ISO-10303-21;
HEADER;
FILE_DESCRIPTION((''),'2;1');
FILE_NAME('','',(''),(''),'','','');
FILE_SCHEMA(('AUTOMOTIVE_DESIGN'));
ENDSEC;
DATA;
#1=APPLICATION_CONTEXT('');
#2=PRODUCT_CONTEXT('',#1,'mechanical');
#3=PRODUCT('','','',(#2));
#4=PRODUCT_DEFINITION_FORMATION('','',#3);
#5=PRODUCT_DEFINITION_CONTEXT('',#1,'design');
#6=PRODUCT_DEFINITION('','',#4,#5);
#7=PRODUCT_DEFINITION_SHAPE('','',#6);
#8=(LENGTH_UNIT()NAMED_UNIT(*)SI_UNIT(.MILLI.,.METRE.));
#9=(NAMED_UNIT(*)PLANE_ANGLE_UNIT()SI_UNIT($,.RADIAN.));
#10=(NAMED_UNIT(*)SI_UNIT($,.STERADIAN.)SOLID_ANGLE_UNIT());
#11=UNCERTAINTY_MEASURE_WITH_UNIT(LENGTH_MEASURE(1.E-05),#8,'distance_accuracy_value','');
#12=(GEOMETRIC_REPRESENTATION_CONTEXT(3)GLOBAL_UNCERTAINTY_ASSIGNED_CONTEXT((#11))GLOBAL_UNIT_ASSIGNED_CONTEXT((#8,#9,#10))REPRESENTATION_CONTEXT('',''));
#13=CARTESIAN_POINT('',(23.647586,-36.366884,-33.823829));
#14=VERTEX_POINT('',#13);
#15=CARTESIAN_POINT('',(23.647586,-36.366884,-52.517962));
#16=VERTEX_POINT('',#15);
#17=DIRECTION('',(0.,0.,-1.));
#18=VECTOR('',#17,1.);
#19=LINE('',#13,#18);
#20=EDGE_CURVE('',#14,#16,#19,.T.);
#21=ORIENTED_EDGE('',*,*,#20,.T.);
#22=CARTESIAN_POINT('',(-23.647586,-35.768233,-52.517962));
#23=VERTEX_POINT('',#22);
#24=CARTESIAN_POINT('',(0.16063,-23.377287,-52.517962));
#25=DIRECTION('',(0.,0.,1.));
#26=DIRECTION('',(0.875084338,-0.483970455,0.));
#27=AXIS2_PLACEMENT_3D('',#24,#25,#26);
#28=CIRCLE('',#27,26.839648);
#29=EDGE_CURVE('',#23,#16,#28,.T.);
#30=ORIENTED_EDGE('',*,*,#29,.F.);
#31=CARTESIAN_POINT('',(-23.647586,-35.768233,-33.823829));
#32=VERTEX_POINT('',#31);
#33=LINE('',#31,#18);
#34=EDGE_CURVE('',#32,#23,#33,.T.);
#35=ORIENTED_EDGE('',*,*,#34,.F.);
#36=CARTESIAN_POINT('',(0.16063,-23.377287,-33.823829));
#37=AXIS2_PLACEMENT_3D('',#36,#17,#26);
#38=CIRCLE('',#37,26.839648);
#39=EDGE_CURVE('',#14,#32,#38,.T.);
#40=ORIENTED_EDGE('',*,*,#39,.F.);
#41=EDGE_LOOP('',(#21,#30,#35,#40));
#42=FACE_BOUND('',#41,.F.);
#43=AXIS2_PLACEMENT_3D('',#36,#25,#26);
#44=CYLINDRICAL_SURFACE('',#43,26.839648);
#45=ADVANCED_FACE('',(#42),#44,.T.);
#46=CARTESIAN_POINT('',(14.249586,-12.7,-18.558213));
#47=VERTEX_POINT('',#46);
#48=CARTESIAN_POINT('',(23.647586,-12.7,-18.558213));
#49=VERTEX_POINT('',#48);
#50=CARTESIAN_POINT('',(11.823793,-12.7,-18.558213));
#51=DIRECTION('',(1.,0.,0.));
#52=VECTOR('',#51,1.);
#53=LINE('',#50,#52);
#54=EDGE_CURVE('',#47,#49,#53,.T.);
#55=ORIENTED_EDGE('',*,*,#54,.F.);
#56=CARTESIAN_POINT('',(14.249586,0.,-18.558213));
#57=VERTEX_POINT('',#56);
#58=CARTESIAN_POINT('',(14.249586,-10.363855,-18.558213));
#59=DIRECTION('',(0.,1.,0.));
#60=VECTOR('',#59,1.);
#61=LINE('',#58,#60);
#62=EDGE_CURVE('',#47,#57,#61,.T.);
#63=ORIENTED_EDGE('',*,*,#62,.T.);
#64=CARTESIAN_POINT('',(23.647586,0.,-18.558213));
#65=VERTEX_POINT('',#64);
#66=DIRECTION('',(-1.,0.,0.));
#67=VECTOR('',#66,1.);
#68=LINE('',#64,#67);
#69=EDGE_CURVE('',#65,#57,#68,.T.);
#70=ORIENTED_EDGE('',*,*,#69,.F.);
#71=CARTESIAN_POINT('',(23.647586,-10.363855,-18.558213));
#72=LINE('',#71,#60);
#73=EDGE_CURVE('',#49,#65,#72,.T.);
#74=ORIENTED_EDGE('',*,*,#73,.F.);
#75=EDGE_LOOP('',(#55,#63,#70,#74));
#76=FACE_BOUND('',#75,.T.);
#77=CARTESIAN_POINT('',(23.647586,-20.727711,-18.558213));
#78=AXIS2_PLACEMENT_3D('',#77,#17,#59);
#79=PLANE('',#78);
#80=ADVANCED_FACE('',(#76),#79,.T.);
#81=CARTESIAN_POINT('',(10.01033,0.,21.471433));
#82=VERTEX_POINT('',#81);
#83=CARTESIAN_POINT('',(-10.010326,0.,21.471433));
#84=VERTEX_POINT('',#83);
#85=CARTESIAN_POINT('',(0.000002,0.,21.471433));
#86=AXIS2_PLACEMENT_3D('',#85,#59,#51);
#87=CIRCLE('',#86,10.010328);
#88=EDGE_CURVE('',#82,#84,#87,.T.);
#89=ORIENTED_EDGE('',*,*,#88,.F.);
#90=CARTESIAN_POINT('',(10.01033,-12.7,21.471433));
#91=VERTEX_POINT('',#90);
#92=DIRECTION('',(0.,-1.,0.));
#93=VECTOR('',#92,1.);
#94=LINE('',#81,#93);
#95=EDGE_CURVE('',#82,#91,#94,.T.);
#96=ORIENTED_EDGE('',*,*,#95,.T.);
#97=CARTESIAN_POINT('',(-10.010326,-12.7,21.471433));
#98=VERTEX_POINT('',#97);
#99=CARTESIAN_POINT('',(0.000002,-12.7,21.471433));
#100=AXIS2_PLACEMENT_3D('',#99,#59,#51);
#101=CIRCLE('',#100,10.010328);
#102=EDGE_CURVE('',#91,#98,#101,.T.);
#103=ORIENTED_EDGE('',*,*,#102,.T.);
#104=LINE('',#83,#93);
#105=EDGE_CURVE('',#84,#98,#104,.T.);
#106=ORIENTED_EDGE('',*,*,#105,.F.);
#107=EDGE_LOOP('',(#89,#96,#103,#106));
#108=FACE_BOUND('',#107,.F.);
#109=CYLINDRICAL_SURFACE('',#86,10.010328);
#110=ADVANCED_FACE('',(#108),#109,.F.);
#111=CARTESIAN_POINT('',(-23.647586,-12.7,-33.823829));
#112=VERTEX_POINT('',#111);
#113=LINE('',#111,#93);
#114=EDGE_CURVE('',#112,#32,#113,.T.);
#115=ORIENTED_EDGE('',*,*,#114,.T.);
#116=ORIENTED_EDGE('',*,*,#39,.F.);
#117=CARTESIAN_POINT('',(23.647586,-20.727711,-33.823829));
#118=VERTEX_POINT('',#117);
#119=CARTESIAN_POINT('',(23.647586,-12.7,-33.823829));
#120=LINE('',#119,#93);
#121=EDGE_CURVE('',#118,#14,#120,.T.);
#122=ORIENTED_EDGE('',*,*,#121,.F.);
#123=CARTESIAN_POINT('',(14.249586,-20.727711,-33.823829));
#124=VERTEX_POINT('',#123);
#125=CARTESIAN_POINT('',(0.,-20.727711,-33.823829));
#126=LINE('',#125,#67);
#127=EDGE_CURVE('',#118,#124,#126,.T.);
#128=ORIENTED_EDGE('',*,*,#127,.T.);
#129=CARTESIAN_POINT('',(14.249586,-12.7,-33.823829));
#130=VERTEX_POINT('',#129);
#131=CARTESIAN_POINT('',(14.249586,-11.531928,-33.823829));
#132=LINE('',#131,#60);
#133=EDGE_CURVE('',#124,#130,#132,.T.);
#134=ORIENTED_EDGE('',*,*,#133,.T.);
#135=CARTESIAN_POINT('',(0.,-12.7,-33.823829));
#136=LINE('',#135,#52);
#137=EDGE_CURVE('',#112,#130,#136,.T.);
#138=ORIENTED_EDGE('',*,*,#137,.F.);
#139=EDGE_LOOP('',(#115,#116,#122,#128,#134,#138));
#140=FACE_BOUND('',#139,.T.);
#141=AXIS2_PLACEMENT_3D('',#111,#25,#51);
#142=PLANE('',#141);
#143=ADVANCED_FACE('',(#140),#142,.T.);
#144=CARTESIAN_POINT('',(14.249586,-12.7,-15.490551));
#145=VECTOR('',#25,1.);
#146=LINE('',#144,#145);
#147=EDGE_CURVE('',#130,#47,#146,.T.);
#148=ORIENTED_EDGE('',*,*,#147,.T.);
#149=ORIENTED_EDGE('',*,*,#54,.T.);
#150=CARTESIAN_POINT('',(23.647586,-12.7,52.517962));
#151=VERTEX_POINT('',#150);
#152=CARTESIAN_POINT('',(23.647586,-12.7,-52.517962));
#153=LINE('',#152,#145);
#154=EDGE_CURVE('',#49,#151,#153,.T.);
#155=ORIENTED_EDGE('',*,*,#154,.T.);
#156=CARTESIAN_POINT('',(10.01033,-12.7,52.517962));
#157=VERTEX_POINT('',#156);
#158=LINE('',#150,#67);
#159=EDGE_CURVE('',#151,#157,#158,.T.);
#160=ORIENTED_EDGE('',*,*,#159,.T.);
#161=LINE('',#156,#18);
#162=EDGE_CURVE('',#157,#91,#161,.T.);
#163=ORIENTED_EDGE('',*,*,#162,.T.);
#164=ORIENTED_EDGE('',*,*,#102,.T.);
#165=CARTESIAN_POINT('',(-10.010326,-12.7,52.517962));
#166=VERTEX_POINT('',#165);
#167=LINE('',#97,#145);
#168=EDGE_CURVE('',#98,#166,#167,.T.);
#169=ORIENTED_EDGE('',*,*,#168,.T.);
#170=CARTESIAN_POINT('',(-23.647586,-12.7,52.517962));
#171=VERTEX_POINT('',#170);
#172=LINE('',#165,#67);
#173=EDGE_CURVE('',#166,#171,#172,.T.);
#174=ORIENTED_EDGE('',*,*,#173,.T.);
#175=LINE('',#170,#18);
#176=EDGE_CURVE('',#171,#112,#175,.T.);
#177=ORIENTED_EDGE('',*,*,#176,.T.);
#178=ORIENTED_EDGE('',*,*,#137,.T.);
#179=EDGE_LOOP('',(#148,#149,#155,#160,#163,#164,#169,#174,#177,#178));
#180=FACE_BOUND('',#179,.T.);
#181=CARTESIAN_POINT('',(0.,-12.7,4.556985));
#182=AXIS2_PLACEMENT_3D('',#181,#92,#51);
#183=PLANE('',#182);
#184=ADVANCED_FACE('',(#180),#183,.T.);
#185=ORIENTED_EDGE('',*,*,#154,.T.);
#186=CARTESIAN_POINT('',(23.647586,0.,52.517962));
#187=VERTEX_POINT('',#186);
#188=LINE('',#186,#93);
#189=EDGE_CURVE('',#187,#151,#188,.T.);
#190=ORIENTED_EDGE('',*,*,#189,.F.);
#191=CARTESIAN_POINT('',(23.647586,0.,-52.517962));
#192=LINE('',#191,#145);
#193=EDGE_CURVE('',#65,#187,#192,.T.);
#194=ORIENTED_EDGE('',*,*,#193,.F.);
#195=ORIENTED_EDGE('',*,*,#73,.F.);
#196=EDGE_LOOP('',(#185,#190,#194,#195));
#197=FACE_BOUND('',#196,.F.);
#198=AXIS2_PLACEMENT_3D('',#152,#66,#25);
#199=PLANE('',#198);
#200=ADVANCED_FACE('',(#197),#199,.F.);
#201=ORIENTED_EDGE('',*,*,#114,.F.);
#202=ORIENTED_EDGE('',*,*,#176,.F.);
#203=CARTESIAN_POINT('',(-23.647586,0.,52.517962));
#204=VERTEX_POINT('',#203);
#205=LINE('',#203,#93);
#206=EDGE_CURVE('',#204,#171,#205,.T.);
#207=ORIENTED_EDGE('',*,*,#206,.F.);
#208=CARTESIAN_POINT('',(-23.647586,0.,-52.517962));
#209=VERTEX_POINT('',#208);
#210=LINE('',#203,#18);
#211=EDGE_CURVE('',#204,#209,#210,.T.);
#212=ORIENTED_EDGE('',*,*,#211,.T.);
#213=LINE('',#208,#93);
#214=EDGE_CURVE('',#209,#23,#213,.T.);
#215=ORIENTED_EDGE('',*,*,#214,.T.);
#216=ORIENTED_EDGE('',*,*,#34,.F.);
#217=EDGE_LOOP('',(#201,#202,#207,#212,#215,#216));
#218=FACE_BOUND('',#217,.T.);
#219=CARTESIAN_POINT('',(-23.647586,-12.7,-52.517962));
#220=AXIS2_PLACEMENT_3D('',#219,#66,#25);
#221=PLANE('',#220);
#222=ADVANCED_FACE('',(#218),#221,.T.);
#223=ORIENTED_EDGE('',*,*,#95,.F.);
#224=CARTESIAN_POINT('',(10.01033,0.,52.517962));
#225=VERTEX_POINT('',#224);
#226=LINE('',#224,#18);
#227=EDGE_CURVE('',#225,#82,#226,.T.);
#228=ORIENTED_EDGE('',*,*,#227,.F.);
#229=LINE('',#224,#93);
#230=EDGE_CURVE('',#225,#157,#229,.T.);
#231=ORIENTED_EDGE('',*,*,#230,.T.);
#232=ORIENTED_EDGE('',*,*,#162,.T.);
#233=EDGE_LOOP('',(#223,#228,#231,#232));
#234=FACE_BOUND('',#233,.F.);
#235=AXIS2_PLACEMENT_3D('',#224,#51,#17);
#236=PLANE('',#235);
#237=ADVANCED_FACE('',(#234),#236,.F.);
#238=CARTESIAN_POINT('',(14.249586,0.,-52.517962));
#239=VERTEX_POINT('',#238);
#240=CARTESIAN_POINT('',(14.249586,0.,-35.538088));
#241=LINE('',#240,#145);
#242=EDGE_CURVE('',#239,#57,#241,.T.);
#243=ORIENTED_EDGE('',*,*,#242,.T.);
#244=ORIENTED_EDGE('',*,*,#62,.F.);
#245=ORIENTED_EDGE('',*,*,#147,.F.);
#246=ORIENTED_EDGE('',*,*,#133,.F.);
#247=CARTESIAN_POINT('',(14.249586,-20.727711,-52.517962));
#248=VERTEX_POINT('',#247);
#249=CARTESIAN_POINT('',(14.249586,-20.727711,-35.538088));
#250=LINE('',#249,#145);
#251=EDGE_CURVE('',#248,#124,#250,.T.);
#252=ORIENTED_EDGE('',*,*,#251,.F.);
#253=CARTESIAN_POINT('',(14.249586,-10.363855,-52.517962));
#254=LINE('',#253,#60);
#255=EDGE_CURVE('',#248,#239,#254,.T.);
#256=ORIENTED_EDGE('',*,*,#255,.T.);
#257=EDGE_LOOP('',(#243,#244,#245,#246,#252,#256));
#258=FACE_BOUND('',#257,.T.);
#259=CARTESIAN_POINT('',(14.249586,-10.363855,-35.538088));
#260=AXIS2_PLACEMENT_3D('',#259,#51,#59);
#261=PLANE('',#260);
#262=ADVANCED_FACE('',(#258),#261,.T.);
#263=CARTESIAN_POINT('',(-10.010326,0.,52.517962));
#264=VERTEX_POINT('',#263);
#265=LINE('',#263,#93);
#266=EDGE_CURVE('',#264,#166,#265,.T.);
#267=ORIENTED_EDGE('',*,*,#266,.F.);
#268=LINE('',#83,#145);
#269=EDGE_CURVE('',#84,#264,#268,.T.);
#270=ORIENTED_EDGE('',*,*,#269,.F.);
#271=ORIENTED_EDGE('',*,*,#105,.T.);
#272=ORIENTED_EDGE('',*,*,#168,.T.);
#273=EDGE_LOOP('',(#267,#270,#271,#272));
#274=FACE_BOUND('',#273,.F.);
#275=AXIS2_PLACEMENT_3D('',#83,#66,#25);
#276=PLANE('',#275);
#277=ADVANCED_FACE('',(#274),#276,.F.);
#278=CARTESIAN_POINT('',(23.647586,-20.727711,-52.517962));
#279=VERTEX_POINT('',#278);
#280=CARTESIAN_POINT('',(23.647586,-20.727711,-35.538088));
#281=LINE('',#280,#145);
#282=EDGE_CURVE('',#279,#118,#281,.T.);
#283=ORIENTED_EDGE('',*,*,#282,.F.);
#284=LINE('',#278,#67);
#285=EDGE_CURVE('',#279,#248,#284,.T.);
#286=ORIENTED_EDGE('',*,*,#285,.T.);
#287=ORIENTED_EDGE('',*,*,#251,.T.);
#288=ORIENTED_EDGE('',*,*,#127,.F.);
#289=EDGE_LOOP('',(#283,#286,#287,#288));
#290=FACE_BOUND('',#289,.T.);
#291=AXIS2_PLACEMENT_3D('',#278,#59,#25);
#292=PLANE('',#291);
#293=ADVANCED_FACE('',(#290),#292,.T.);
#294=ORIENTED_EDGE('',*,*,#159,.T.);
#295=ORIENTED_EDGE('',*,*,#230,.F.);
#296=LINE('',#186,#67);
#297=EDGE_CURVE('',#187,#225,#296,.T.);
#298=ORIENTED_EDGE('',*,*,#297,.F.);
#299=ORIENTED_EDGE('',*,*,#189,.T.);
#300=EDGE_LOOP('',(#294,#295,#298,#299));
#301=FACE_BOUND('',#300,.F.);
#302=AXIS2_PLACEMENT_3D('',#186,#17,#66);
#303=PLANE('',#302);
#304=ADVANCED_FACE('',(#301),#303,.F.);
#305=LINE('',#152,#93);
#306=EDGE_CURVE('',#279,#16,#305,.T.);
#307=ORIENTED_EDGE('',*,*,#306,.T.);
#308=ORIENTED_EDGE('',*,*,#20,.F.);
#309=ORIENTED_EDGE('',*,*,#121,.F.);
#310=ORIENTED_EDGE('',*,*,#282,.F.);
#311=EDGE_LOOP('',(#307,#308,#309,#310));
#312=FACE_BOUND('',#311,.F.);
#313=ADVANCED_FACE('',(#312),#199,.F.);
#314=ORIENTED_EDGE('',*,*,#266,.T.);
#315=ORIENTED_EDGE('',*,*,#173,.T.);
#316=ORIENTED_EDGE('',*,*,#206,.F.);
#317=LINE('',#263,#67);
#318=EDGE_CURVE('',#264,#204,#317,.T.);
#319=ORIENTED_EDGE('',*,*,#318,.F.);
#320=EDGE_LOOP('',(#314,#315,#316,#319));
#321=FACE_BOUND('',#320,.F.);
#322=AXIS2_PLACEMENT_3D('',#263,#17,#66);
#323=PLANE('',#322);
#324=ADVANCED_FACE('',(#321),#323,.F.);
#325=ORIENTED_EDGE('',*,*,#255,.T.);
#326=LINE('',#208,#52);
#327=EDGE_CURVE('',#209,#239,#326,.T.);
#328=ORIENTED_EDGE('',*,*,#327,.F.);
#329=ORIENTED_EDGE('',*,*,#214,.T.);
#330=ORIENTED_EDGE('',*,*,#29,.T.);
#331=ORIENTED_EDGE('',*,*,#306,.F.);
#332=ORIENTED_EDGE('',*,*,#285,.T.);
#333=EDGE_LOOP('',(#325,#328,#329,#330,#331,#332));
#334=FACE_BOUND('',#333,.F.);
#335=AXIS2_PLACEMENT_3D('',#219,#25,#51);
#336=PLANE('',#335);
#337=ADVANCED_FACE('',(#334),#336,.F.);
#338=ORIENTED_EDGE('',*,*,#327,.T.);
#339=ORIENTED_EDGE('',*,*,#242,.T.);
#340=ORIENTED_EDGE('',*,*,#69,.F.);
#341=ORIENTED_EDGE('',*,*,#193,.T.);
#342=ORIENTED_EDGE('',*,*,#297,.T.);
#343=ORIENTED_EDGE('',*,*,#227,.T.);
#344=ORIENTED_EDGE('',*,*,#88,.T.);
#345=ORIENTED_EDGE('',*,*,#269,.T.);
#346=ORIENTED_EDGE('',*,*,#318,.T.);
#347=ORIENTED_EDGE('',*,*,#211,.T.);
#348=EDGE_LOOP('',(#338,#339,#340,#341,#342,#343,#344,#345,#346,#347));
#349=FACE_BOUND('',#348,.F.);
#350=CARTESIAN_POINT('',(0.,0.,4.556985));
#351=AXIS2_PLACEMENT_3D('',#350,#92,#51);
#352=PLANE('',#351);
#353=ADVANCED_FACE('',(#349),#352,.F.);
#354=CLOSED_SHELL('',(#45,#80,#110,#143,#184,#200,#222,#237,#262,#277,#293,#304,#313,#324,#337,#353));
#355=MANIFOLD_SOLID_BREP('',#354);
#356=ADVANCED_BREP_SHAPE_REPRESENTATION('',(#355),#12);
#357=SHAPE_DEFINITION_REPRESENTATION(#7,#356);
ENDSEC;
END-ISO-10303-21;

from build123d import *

# Parameters (mm, degrees)
F1_DEPTH = 12.7
F2_W     = 47.2951717675
F2_H     = 18.6941325665
F3_DEPTH = 38.354
F5_DEPTH = 25.4
F6_W     = 20.7277107984
F6_H     = 33.9597482234
F7_DEPTH = 9.398


with BuildPart() as f1:
    # F0 (on Front) → F1 (new body)
    with BuildSketch(Plane.XZ):
        with BuildLine():
            Line((-10.0103262812, 52.5179617107), (-23.6475858837, 52.5179617107))
            Line((-23.6475858837, 52.5179617107), (-23.6475858837, -52.5179617107))
            Line((-23.6475858837, -52.5179617107), (23.6475858837, -52.5179617107))
            Line((23.6475858837, -52.5179617107), (23.6475858837, 52.5179617107))
            Line((23.6475858837, 52.5179617107), (10.0103300065, 52.5179617107))
            Line((10.0103300065, 52.5179617107), (10.0103300065, 21.4714333415))
            ThreePointArc((10.0103300065, 21.4714333415), (1.8626e-06, 11.4611051977), (-10.0103262812, 21.4714333415))
            Line((-10.0103262812, 21.4714333415), (-10.0103262812, 52.5179617107))
        make_face()
    extrude(amount=F1_DEPTH)

    # F2 (on face) → F3 (join)
    with BuildSketch(Plane.XZ.offset(12.7)):
        with Locations((0, -43.1708954275)):
            Rectangle(F2_W, F2_H)
    extrude(amount=F3_DEPTH)

    # F4 (on face) → F5 (cut)
    with BuildSketch(Plane.XY.offset(-33.8238291442)):
        with BuildLine():
            ThreePointArc((23.6475858837, -36.3668836653), (-0.1790720486, -50.2147851715), (-23.6475858837, -35.7682332397))
            Line((-23.6475858837, -35.7682332397), (-23.6475858837, -51.054))
            Line((-23.6475858837, -51.054), (23.6475858837, -51.054))
            Line((23.6475858837, -51.054), (23.6475858837, -36.3668836653))
        make_face()
    extrude(amount=-F5_DEPTH, mode=Mode.SUBTRACT)

    # F6 (on face) → F7 (cut)
    with BuildSketch(Plane.YZ.offset(23.6475858837)):
        with Locations((-10.3638553992, -35.538087599)):
            Rectangle(F6_W, F6_H)
    extrude(amount=-F7_DEPTH, mode=Mode.SUBTRACT)


solid = f1.part
